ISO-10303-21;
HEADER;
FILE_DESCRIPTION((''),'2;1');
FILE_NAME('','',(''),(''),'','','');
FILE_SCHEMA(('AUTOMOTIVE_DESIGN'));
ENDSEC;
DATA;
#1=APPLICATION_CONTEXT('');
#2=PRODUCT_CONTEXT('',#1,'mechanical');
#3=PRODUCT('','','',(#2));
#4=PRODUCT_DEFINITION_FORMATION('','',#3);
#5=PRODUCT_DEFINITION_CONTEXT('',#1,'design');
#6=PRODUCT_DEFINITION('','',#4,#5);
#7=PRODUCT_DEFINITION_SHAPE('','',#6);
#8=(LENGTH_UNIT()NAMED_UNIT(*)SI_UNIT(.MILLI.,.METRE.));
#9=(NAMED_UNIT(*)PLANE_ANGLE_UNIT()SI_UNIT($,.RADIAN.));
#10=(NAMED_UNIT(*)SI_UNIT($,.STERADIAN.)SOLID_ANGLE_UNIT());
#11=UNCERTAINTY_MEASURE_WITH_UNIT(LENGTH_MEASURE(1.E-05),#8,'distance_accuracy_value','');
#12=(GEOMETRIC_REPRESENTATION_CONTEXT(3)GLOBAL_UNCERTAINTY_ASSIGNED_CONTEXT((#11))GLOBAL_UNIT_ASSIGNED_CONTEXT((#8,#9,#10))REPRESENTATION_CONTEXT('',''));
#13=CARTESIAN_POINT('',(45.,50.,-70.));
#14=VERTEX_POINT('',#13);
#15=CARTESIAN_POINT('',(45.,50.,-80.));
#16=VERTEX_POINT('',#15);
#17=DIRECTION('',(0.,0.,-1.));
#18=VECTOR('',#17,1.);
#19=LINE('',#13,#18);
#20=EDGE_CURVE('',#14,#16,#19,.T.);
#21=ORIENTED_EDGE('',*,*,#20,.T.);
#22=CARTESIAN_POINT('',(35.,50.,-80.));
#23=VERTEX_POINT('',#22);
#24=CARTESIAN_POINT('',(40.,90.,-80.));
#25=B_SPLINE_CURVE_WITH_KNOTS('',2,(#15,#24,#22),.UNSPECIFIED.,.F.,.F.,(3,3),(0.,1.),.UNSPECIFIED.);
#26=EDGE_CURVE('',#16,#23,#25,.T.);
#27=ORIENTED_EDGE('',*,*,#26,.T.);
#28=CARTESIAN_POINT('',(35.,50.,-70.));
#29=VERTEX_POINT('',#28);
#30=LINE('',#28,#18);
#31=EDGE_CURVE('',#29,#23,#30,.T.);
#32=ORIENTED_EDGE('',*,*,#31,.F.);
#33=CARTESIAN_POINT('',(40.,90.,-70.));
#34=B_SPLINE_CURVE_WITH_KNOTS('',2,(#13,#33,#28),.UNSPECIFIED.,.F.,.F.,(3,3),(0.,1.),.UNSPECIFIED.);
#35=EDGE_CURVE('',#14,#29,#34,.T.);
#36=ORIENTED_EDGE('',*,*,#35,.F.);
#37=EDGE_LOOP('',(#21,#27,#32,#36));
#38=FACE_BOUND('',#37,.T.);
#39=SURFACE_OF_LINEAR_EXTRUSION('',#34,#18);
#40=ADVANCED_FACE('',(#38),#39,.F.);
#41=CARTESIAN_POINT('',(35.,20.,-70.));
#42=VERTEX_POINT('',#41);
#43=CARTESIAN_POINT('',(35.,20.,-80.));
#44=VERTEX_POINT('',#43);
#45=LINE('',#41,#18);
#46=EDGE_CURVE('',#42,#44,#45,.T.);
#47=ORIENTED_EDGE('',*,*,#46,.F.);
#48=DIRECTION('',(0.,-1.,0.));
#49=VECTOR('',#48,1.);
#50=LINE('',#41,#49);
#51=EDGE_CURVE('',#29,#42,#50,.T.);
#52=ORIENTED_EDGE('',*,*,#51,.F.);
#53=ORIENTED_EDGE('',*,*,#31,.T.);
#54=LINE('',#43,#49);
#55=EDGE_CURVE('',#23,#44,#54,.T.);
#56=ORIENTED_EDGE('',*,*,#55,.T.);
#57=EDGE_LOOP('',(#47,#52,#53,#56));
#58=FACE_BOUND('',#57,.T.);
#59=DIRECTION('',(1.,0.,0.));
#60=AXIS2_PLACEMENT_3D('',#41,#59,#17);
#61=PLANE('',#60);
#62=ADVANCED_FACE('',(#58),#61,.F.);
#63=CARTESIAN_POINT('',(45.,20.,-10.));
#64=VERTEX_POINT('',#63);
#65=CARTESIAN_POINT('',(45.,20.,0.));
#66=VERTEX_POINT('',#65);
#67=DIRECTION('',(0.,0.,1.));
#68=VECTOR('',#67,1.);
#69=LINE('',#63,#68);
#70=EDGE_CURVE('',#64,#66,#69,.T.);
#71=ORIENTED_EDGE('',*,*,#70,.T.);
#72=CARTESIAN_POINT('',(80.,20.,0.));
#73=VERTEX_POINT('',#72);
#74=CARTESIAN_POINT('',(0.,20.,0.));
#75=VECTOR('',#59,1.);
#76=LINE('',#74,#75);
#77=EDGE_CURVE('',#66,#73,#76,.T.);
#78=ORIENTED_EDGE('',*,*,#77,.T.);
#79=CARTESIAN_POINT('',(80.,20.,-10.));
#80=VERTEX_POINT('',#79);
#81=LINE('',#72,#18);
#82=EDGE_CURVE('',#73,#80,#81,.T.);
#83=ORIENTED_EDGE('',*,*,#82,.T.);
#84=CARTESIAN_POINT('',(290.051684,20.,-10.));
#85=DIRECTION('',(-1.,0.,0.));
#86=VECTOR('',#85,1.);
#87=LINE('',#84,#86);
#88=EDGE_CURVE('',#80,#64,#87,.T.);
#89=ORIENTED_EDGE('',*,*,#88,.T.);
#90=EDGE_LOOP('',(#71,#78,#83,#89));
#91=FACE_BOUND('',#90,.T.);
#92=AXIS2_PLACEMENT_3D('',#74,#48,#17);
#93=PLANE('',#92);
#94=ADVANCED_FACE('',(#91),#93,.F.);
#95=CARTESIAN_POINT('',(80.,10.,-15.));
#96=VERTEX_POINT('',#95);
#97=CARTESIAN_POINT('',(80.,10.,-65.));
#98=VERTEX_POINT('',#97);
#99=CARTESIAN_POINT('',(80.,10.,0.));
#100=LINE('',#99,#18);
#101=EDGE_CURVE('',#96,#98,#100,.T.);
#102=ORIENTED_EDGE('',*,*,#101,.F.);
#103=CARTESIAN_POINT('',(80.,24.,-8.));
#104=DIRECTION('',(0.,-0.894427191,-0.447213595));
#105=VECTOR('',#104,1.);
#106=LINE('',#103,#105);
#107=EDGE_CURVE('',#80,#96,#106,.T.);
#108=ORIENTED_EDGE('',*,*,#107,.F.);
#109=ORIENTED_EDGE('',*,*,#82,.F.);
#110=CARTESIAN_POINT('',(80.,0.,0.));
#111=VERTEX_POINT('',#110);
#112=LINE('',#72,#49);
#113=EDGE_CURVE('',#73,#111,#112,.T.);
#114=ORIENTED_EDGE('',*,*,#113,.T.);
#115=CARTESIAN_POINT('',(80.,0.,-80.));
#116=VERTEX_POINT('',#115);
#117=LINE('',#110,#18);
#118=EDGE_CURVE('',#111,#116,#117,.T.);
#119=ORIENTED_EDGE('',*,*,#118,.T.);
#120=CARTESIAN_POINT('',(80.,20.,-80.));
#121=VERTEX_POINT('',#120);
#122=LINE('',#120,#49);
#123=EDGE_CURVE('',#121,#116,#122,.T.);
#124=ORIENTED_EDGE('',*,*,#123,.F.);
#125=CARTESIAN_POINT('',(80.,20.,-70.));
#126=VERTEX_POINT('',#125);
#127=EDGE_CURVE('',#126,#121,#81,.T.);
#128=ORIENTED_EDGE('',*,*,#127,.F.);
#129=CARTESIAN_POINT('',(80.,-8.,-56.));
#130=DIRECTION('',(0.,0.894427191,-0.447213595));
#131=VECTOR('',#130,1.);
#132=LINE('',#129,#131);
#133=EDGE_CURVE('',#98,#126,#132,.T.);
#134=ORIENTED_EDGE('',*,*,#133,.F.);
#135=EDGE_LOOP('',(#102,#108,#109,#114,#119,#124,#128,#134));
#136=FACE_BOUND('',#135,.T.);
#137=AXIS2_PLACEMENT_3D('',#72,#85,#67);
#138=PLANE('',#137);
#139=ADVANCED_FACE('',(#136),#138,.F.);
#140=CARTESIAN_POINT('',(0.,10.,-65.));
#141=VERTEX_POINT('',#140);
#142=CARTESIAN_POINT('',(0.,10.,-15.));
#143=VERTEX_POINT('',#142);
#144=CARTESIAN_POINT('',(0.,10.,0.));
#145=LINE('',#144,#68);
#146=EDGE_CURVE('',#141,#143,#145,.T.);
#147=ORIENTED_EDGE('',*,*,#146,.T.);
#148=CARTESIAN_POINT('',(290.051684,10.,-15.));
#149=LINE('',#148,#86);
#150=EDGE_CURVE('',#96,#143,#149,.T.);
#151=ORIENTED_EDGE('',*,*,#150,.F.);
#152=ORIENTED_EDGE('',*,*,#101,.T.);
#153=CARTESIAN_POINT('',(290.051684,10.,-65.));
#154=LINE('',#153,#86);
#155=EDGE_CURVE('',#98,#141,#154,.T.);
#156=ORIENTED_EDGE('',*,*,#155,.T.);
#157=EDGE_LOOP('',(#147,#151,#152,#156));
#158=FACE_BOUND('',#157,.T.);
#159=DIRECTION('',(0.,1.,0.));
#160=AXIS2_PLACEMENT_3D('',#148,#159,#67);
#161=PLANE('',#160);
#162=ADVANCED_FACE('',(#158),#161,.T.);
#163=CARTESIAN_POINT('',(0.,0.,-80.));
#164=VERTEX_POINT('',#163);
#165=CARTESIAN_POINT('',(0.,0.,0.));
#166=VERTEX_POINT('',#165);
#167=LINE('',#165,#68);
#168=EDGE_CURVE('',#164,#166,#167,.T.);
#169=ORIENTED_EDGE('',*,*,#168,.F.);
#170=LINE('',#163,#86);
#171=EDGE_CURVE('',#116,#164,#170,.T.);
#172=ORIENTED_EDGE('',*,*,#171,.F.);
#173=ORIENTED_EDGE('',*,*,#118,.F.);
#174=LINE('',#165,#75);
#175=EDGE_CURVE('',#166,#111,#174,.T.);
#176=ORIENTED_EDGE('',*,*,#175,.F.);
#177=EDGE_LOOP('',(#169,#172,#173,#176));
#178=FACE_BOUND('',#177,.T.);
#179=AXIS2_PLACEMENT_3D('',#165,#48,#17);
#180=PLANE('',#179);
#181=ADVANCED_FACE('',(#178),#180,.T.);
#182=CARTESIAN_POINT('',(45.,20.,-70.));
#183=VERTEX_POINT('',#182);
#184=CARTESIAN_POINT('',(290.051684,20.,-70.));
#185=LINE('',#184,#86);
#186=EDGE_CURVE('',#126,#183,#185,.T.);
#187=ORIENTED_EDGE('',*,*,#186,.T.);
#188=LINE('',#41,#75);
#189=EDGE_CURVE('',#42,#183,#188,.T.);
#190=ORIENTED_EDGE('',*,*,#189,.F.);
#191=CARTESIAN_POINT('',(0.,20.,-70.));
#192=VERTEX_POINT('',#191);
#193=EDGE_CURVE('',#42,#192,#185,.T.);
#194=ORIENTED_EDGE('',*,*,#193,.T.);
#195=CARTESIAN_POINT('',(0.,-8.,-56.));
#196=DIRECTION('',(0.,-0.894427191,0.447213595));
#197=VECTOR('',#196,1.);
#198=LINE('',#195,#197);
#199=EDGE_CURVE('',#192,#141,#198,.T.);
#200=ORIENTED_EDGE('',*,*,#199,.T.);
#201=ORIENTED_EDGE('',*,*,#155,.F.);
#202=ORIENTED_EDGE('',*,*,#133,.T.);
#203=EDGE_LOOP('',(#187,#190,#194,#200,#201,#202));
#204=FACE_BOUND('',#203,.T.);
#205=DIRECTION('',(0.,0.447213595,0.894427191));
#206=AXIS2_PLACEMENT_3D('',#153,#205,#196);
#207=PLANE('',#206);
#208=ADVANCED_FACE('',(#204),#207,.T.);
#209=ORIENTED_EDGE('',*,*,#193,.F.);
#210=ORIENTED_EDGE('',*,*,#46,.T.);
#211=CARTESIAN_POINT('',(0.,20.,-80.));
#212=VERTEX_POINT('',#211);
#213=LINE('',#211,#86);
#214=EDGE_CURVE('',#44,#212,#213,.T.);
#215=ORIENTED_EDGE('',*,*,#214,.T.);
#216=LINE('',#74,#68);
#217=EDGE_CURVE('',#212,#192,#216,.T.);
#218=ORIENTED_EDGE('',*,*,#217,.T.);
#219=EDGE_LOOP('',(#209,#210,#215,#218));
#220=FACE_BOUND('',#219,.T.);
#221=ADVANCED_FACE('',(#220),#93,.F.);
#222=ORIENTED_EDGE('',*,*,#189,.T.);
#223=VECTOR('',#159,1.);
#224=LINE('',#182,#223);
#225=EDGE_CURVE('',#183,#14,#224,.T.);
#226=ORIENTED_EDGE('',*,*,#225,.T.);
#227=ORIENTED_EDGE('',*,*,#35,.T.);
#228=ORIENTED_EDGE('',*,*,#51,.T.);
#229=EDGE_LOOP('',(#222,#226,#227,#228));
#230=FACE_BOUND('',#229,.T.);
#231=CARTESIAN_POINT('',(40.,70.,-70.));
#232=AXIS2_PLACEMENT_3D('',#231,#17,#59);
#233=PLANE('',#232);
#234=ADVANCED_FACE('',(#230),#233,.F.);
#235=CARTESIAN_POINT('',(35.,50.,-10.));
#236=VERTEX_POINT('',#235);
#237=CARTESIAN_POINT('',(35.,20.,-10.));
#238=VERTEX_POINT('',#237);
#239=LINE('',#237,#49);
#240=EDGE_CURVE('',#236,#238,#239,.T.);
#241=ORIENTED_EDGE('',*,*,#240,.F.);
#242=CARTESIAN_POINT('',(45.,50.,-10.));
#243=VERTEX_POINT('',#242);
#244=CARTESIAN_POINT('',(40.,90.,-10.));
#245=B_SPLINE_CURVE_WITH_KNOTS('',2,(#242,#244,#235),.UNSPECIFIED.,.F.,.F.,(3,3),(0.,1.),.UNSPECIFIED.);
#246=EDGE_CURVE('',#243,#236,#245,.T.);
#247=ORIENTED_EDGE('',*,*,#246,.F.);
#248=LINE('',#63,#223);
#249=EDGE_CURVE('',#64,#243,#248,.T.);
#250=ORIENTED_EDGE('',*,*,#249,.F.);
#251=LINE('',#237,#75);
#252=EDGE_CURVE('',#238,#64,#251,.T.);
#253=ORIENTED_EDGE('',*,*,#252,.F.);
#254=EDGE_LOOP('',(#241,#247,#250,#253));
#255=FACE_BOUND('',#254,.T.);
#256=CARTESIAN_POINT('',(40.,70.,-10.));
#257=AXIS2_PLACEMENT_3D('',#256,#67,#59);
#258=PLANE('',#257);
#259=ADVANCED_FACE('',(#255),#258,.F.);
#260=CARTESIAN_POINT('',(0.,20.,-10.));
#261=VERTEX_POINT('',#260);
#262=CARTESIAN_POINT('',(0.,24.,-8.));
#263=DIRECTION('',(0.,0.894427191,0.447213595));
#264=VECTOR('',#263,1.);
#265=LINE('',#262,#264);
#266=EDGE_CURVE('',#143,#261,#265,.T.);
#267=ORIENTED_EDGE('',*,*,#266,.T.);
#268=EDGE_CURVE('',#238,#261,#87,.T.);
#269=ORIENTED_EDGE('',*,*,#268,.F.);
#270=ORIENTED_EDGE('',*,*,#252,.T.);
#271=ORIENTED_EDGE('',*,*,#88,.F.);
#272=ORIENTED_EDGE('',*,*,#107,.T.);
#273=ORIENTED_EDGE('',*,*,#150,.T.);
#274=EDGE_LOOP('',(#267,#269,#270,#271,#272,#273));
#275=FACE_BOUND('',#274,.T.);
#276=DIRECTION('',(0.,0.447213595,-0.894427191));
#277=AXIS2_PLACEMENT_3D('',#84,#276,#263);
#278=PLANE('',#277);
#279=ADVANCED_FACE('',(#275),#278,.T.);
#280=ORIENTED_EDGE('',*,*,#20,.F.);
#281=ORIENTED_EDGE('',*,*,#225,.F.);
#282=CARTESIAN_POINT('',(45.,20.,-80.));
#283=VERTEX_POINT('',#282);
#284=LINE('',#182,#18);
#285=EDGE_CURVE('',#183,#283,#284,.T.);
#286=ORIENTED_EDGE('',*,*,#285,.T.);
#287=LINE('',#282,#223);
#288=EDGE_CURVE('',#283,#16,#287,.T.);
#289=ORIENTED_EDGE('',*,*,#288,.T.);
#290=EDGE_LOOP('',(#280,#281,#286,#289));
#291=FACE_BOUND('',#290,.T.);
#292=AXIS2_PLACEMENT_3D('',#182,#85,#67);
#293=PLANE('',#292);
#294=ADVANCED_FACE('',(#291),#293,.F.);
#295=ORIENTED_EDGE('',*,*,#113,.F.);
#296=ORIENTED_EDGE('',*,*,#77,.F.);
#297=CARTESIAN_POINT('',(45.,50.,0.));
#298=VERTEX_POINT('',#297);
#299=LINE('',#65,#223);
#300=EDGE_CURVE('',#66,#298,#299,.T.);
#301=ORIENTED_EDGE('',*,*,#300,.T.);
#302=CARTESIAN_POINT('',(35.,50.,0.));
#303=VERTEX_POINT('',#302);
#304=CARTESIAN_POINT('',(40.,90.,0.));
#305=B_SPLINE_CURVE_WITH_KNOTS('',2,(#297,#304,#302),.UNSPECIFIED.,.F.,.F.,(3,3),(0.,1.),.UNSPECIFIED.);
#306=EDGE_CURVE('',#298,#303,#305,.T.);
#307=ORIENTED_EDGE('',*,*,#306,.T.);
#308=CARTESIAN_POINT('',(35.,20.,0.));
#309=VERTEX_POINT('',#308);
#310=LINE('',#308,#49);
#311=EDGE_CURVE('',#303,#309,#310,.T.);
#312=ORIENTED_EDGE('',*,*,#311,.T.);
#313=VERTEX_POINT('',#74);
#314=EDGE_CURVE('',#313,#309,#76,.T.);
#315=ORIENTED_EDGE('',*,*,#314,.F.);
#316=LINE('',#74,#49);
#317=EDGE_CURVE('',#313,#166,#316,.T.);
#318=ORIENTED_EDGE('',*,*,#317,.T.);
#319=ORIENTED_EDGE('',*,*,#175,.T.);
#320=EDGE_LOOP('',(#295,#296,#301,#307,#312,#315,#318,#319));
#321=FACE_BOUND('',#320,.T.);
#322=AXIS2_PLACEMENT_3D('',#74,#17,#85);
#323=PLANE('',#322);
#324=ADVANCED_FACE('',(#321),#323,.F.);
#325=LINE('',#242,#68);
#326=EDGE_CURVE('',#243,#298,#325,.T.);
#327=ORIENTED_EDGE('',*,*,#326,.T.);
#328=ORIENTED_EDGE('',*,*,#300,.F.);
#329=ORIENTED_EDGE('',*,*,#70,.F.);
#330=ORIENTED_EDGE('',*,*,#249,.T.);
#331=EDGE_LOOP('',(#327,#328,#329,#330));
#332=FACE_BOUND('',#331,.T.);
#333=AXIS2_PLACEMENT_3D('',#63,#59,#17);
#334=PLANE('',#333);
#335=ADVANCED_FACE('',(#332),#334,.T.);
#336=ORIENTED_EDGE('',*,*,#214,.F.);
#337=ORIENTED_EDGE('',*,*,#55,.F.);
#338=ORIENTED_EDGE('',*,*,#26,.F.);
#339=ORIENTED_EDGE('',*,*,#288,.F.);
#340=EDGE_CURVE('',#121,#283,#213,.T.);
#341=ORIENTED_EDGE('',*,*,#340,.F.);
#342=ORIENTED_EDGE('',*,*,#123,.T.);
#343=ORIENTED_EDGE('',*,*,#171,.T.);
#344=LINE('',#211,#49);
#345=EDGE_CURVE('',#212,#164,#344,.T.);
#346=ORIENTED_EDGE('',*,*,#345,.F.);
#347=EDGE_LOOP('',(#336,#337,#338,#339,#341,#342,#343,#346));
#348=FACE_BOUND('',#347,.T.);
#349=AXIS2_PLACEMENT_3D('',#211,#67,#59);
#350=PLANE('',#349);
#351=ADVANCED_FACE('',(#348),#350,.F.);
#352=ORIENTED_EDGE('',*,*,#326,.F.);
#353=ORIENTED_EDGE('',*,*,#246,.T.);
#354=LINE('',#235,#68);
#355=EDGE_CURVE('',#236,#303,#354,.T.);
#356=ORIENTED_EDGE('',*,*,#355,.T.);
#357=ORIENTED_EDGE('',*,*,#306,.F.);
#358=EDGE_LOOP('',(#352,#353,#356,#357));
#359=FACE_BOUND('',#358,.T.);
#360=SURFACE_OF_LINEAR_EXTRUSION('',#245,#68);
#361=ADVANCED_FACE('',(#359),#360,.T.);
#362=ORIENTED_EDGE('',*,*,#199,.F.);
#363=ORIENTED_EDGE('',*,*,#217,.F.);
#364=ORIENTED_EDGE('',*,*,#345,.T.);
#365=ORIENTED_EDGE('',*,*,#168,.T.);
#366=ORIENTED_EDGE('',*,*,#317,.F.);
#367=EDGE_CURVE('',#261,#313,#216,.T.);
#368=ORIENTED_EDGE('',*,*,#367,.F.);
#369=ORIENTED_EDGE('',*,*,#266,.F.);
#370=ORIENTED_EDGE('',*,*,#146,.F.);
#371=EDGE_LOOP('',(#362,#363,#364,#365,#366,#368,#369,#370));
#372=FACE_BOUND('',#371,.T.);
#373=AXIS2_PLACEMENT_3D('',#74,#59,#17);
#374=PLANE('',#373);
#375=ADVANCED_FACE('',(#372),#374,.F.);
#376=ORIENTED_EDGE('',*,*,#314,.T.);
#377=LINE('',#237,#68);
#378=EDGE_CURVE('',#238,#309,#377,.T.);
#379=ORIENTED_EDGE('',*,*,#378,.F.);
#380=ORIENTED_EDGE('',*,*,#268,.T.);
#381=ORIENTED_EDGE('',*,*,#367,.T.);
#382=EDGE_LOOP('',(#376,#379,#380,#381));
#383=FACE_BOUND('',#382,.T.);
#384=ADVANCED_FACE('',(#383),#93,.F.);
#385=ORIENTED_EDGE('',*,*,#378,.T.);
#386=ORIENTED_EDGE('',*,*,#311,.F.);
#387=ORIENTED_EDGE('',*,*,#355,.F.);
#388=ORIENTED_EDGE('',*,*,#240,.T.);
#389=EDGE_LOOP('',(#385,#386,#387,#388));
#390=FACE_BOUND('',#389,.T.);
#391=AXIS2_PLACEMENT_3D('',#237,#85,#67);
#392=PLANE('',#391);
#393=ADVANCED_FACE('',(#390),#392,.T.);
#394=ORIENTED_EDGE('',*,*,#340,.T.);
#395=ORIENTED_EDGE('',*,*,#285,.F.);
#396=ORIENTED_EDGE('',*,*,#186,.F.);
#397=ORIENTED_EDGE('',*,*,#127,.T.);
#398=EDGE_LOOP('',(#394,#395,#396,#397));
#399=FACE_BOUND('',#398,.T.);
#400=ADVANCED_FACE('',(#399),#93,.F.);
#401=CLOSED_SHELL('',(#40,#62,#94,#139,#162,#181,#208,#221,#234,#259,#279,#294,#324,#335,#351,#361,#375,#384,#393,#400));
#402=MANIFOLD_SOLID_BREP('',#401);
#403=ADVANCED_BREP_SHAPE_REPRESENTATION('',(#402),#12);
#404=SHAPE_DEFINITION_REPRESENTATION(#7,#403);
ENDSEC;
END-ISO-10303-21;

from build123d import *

# Parameters (mm, degrees)
SKETCH2_W               = 80
SKETCH2_H               = 80
BOSS_EXTRUDE1_DEPTH     = 20
BOSS_EXTRUDE2_DEPTH     = 10
CUT_EXTRUDE1_DEPTH      = 134.041347129
CUT_EXTRUDE1_DEPTH_BACK = 134.041347129


with BuildPart() as part:
    # Sketch2 → Boss-Extrude1 (new body)
    with BuildSketch(Plane(origin=(0, 0, 0), x_dir=(1, 0, 0), z_dir=(0, 1, 0))):
        with Locations((40, 40)):
            Rectangle(SKETCH2_W, SKETCH2_H)
    extrude(amount=BOSS_EXTRUDE1_DEPTH)

    # Sketch3 → Boss-Extrude2 (add)
    with BuildSketch(Plane.XY):
        with BuildLine():
            Line((35, 20), (35, 50))
            add(Edge.make_bspline(
                [(35, 50), (40, 90), (45, 50)],
                knots=[0, 0, 0, 1, 1, 1], degree=2))
            Line((45, 50), (45, 20))
            Line((45, 20), (35, 20))
        make_face()
    boss_extrude2 = extrude(amount=-BOSS_EXTRUDE2_DEPTH)

    # Mirror1: Boss-Extrude2 across plane
    add(boss_extrude2.mirror(Plane.XY.offset(-40)))

    # Sketch4 → Cut-Extrude1 (cut, two sides: drawn at the far end of the back side and taken through both)
    with BuildSketch(Plane(origin=(80, 0, 0), x_dir=(0, 0, -1), z_dir=(1, 0, 0)).offset(-CUT_EXTRUDE1_DEPTH_BACK)):
        Polygon((70, 20), (10, 20), (15, 10), (65, 10), align=None)
    extrude(amount=CUT_EXTRUDE1_DEPTH + CUT_EXTRUDE1_DEPTH_BACK, mode=Mode.SUBTRACT)


solid = part.part
